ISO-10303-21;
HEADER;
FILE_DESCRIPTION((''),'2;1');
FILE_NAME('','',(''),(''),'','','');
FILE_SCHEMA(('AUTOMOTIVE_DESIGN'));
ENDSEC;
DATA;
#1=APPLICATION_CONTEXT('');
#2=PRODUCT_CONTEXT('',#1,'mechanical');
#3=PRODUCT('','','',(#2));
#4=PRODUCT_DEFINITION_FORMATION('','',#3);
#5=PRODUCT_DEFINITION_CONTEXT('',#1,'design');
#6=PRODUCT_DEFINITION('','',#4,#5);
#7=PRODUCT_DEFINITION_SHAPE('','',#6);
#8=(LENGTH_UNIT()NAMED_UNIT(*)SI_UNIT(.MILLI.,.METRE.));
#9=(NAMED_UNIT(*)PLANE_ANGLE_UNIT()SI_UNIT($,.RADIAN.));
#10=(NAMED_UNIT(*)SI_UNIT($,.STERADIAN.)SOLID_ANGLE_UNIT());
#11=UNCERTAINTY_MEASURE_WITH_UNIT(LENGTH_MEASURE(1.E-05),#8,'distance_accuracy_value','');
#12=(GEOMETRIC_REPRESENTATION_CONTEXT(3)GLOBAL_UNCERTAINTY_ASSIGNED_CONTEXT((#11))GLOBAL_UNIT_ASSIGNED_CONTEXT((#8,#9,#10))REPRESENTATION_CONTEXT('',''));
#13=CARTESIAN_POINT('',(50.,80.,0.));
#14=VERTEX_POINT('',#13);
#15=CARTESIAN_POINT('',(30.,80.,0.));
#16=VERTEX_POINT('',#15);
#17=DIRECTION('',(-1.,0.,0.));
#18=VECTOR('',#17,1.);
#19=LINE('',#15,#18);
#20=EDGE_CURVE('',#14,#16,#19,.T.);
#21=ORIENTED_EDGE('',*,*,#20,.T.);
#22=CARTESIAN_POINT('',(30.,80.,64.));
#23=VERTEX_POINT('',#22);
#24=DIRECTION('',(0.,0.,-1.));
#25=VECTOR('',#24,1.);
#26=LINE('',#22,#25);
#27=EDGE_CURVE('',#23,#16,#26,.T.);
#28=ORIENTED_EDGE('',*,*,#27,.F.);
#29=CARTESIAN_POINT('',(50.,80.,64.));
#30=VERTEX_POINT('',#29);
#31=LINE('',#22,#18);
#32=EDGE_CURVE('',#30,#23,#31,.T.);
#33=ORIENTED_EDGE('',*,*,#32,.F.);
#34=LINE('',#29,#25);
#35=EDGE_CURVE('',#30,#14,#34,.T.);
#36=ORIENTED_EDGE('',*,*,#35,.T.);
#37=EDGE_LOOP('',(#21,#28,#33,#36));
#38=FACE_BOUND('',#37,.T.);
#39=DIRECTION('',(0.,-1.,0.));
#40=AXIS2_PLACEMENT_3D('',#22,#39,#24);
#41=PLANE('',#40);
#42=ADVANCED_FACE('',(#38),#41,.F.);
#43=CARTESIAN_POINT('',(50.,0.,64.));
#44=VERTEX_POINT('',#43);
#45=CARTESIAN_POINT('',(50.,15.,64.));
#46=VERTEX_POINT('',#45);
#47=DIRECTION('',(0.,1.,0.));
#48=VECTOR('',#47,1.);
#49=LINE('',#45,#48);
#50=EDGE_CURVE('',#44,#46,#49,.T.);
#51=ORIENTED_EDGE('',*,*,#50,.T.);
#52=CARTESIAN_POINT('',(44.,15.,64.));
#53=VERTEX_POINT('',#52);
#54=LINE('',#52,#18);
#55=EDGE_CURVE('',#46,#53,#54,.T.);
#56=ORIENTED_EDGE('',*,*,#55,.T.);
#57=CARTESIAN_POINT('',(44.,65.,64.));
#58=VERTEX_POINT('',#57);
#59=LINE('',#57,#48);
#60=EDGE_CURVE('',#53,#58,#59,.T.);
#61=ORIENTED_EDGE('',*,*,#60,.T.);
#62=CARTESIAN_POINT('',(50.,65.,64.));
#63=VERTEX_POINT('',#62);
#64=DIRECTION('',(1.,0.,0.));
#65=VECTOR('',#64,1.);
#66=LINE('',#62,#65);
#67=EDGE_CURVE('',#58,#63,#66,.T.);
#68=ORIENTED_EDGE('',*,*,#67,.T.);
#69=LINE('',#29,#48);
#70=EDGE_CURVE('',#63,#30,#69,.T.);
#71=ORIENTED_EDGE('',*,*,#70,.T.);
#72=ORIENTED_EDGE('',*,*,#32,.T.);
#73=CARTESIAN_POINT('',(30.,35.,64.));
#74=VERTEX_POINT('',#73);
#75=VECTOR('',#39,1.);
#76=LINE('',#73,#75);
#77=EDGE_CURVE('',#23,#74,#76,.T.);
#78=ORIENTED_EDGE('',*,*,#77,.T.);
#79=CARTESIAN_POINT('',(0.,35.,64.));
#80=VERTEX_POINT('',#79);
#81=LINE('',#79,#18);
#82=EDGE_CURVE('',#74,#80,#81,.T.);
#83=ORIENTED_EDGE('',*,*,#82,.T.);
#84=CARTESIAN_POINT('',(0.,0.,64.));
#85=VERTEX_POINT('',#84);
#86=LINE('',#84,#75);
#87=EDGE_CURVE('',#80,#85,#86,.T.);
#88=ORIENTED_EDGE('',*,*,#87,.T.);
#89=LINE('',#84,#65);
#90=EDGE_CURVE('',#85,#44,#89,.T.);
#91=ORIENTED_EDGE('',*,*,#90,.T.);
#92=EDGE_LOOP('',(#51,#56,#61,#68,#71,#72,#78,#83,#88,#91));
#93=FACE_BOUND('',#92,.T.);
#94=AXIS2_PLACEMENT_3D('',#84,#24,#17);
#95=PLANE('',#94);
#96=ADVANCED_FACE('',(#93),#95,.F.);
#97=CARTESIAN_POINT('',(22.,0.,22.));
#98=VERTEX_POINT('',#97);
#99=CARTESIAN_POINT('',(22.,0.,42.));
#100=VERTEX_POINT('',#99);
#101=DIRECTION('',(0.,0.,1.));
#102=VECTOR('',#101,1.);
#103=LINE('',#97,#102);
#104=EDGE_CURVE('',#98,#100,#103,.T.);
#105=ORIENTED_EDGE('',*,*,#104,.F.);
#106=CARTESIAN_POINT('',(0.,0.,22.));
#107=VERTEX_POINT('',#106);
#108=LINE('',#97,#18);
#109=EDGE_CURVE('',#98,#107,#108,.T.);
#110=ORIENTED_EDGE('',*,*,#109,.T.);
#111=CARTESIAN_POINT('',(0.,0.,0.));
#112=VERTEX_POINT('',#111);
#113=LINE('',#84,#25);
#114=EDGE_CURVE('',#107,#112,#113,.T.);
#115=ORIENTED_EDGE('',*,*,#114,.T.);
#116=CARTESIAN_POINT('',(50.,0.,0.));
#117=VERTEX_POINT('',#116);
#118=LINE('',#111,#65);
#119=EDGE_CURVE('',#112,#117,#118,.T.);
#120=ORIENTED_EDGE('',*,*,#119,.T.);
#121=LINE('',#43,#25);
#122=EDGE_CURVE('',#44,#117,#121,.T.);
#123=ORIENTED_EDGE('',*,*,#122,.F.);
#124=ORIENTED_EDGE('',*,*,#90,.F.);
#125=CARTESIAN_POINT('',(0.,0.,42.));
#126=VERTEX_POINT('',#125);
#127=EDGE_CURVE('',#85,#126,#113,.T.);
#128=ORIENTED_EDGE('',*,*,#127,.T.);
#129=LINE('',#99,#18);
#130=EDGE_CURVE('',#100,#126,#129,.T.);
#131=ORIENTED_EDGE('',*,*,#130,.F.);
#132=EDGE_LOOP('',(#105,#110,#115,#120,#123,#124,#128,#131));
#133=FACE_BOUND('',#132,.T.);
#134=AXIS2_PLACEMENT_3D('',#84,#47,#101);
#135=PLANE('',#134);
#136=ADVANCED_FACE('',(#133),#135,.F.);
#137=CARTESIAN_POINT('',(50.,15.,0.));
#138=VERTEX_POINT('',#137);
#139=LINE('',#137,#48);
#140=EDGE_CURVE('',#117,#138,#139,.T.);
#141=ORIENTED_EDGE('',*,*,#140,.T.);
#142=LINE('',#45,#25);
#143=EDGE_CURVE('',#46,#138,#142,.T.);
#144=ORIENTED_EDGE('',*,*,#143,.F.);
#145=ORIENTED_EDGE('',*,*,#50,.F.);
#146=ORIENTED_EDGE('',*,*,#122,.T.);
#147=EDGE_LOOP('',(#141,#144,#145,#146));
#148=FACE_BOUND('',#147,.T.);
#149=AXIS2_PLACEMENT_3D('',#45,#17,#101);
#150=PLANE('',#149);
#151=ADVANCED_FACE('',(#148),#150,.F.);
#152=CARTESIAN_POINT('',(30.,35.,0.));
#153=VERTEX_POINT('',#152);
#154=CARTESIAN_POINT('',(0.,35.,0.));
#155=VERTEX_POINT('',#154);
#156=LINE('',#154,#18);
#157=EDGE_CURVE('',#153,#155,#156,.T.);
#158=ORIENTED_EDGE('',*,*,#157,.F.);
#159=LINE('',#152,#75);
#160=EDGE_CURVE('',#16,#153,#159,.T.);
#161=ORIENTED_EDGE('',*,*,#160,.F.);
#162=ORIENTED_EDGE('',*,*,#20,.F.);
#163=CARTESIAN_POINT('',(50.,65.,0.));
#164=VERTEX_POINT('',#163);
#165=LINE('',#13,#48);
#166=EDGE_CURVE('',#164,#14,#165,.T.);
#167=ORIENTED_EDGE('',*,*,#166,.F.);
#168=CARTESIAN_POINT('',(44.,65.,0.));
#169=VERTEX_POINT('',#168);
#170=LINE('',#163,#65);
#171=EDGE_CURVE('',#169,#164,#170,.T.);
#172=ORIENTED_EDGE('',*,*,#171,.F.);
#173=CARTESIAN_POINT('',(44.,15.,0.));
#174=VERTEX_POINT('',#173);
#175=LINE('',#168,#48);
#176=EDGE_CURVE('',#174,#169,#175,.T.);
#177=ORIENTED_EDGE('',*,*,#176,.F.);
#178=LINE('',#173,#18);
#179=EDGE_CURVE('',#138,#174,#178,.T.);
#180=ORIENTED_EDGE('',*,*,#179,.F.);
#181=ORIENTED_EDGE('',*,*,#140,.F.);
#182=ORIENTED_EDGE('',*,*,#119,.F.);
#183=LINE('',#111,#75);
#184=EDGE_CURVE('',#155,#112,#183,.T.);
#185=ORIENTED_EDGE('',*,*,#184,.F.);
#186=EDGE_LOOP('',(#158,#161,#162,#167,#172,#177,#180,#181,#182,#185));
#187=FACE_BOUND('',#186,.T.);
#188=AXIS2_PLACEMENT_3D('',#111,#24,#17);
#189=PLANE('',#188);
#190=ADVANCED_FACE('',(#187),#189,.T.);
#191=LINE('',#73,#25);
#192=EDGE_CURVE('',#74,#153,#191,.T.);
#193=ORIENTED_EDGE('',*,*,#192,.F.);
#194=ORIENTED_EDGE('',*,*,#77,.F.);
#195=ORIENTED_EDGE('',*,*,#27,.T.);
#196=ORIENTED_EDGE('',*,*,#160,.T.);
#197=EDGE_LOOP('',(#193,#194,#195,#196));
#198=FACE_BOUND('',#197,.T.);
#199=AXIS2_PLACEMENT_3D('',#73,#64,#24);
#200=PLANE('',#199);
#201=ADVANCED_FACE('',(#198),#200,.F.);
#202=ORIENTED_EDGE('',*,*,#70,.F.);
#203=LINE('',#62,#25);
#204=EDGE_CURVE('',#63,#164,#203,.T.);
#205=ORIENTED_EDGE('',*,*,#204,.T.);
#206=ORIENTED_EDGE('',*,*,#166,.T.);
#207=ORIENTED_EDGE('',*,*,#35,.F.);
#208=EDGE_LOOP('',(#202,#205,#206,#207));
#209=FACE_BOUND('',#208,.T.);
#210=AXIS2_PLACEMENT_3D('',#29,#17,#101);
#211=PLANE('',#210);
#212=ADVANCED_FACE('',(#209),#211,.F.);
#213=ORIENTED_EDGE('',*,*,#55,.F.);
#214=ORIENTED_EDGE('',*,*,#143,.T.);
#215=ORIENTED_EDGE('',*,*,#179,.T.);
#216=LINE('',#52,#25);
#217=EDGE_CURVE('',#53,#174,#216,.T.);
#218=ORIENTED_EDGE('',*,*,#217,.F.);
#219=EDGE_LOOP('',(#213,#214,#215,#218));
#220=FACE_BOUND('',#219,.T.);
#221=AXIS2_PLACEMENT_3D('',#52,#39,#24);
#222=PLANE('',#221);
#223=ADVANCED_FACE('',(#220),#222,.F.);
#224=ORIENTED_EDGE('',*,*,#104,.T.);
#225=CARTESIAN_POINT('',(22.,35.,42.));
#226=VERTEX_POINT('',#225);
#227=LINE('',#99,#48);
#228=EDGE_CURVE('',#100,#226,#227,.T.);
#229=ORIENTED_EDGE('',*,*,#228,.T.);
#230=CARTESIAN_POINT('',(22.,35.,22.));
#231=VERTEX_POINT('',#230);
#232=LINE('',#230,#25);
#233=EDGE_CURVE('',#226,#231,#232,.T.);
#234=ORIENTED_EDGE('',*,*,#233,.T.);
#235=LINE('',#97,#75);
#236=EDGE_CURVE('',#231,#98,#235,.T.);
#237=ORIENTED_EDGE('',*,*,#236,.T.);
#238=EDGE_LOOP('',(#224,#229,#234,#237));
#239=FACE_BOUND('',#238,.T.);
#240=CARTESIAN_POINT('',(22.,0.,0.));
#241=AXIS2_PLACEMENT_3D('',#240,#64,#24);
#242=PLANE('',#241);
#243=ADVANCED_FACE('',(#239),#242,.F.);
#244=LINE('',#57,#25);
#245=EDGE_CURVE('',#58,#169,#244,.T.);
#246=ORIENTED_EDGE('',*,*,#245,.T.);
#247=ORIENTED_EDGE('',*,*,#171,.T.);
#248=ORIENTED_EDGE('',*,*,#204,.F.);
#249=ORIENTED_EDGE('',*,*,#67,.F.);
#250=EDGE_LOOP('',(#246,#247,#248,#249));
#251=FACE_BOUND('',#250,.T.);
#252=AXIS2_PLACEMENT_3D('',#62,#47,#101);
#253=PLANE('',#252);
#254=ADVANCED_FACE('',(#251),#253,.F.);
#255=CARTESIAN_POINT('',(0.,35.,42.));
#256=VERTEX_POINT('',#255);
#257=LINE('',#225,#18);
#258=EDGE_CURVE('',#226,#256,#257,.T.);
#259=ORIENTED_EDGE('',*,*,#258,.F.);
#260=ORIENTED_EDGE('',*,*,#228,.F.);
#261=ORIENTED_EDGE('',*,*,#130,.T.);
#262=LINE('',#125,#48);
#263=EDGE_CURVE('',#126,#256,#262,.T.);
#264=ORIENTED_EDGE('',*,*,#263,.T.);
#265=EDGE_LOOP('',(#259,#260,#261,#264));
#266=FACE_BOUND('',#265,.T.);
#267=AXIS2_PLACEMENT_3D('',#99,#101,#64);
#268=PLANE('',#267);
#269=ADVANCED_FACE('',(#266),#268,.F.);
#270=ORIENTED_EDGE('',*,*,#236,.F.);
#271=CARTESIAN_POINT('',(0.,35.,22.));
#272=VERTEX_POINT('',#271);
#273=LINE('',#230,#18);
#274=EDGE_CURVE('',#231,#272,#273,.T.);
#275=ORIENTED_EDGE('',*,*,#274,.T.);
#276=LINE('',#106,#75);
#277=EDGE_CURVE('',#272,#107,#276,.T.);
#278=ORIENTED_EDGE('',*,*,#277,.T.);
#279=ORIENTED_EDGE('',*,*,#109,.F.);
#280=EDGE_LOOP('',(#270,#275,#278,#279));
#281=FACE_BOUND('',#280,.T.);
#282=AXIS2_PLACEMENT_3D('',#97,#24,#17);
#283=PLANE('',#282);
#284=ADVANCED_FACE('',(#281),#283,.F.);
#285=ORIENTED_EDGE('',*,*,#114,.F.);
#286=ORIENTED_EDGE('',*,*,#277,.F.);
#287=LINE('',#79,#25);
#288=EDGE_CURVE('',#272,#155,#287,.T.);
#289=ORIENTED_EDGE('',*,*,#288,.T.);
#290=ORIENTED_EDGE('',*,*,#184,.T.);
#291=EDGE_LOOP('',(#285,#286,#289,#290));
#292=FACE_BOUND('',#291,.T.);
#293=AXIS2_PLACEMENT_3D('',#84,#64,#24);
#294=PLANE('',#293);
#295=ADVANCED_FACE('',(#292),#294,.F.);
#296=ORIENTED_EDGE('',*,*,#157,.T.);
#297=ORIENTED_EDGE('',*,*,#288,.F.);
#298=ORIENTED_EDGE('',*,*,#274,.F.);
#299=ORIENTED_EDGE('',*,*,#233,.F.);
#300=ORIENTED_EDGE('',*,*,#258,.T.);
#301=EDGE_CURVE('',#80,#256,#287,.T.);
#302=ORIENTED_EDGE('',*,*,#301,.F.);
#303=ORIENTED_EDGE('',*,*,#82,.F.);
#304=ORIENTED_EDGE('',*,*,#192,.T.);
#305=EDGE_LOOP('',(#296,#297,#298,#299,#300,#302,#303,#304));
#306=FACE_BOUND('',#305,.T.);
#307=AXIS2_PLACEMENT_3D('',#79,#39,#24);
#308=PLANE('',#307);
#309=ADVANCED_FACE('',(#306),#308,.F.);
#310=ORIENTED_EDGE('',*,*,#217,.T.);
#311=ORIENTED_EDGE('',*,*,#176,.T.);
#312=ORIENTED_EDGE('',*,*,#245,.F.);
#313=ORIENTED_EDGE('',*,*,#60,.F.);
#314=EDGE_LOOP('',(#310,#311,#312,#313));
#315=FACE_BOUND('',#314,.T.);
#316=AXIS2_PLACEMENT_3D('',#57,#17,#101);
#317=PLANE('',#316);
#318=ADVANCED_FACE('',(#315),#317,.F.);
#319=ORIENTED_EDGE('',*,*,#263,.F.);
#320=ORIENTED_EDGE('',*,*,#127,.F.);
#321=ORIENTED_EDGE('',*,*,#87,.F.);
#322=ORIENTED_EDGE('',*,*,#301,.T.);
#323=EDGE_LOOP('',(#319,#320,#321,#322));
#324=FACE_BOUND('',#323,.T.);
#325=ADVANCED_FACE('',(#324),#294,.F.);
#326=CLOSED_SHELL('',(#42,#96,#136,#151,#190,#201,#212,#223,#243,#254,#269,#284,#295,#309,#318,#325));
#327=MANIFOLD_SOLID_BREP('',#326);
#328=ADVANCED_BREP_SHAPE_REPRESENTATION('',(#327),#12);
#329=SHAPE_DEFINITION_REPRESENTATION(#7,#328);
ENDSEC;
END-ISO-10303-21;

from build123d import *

# Parameters (mm, degrees)
BOSS_EXTRUDE1_DEPTH = 64
SKETCH4_W           = 20
SKETCH4_H           = 35
CUT_EXTRUDE2_DEPTH  = 22


with BuildPart() as part:
    # Sketch2 → Boss-Extrude1 (new body)
    with BuildSketch(Plane.XY):
        Polygon((0, 0), (50, 0), (50, 15), (44, 15), (44, 65), (50, 65), (50, 80), (30, 80), (30, 35), (0, 35), align=None)
    extrude(amount=BOSS_EXTRUDE1_DEPTH)

    # Sketch4 → Cut-Extrude2 (cut)
    with BuildSketch(Plane.ZY):
        with Locations((32, 17.5)):
            Rectangle(SKETCH4_W, SKETCH4_H)
    extrude(amount=-CUT_EXTRUDE2_DEPTH, mode=Mode.SUBTRACT)


solid = part.part
